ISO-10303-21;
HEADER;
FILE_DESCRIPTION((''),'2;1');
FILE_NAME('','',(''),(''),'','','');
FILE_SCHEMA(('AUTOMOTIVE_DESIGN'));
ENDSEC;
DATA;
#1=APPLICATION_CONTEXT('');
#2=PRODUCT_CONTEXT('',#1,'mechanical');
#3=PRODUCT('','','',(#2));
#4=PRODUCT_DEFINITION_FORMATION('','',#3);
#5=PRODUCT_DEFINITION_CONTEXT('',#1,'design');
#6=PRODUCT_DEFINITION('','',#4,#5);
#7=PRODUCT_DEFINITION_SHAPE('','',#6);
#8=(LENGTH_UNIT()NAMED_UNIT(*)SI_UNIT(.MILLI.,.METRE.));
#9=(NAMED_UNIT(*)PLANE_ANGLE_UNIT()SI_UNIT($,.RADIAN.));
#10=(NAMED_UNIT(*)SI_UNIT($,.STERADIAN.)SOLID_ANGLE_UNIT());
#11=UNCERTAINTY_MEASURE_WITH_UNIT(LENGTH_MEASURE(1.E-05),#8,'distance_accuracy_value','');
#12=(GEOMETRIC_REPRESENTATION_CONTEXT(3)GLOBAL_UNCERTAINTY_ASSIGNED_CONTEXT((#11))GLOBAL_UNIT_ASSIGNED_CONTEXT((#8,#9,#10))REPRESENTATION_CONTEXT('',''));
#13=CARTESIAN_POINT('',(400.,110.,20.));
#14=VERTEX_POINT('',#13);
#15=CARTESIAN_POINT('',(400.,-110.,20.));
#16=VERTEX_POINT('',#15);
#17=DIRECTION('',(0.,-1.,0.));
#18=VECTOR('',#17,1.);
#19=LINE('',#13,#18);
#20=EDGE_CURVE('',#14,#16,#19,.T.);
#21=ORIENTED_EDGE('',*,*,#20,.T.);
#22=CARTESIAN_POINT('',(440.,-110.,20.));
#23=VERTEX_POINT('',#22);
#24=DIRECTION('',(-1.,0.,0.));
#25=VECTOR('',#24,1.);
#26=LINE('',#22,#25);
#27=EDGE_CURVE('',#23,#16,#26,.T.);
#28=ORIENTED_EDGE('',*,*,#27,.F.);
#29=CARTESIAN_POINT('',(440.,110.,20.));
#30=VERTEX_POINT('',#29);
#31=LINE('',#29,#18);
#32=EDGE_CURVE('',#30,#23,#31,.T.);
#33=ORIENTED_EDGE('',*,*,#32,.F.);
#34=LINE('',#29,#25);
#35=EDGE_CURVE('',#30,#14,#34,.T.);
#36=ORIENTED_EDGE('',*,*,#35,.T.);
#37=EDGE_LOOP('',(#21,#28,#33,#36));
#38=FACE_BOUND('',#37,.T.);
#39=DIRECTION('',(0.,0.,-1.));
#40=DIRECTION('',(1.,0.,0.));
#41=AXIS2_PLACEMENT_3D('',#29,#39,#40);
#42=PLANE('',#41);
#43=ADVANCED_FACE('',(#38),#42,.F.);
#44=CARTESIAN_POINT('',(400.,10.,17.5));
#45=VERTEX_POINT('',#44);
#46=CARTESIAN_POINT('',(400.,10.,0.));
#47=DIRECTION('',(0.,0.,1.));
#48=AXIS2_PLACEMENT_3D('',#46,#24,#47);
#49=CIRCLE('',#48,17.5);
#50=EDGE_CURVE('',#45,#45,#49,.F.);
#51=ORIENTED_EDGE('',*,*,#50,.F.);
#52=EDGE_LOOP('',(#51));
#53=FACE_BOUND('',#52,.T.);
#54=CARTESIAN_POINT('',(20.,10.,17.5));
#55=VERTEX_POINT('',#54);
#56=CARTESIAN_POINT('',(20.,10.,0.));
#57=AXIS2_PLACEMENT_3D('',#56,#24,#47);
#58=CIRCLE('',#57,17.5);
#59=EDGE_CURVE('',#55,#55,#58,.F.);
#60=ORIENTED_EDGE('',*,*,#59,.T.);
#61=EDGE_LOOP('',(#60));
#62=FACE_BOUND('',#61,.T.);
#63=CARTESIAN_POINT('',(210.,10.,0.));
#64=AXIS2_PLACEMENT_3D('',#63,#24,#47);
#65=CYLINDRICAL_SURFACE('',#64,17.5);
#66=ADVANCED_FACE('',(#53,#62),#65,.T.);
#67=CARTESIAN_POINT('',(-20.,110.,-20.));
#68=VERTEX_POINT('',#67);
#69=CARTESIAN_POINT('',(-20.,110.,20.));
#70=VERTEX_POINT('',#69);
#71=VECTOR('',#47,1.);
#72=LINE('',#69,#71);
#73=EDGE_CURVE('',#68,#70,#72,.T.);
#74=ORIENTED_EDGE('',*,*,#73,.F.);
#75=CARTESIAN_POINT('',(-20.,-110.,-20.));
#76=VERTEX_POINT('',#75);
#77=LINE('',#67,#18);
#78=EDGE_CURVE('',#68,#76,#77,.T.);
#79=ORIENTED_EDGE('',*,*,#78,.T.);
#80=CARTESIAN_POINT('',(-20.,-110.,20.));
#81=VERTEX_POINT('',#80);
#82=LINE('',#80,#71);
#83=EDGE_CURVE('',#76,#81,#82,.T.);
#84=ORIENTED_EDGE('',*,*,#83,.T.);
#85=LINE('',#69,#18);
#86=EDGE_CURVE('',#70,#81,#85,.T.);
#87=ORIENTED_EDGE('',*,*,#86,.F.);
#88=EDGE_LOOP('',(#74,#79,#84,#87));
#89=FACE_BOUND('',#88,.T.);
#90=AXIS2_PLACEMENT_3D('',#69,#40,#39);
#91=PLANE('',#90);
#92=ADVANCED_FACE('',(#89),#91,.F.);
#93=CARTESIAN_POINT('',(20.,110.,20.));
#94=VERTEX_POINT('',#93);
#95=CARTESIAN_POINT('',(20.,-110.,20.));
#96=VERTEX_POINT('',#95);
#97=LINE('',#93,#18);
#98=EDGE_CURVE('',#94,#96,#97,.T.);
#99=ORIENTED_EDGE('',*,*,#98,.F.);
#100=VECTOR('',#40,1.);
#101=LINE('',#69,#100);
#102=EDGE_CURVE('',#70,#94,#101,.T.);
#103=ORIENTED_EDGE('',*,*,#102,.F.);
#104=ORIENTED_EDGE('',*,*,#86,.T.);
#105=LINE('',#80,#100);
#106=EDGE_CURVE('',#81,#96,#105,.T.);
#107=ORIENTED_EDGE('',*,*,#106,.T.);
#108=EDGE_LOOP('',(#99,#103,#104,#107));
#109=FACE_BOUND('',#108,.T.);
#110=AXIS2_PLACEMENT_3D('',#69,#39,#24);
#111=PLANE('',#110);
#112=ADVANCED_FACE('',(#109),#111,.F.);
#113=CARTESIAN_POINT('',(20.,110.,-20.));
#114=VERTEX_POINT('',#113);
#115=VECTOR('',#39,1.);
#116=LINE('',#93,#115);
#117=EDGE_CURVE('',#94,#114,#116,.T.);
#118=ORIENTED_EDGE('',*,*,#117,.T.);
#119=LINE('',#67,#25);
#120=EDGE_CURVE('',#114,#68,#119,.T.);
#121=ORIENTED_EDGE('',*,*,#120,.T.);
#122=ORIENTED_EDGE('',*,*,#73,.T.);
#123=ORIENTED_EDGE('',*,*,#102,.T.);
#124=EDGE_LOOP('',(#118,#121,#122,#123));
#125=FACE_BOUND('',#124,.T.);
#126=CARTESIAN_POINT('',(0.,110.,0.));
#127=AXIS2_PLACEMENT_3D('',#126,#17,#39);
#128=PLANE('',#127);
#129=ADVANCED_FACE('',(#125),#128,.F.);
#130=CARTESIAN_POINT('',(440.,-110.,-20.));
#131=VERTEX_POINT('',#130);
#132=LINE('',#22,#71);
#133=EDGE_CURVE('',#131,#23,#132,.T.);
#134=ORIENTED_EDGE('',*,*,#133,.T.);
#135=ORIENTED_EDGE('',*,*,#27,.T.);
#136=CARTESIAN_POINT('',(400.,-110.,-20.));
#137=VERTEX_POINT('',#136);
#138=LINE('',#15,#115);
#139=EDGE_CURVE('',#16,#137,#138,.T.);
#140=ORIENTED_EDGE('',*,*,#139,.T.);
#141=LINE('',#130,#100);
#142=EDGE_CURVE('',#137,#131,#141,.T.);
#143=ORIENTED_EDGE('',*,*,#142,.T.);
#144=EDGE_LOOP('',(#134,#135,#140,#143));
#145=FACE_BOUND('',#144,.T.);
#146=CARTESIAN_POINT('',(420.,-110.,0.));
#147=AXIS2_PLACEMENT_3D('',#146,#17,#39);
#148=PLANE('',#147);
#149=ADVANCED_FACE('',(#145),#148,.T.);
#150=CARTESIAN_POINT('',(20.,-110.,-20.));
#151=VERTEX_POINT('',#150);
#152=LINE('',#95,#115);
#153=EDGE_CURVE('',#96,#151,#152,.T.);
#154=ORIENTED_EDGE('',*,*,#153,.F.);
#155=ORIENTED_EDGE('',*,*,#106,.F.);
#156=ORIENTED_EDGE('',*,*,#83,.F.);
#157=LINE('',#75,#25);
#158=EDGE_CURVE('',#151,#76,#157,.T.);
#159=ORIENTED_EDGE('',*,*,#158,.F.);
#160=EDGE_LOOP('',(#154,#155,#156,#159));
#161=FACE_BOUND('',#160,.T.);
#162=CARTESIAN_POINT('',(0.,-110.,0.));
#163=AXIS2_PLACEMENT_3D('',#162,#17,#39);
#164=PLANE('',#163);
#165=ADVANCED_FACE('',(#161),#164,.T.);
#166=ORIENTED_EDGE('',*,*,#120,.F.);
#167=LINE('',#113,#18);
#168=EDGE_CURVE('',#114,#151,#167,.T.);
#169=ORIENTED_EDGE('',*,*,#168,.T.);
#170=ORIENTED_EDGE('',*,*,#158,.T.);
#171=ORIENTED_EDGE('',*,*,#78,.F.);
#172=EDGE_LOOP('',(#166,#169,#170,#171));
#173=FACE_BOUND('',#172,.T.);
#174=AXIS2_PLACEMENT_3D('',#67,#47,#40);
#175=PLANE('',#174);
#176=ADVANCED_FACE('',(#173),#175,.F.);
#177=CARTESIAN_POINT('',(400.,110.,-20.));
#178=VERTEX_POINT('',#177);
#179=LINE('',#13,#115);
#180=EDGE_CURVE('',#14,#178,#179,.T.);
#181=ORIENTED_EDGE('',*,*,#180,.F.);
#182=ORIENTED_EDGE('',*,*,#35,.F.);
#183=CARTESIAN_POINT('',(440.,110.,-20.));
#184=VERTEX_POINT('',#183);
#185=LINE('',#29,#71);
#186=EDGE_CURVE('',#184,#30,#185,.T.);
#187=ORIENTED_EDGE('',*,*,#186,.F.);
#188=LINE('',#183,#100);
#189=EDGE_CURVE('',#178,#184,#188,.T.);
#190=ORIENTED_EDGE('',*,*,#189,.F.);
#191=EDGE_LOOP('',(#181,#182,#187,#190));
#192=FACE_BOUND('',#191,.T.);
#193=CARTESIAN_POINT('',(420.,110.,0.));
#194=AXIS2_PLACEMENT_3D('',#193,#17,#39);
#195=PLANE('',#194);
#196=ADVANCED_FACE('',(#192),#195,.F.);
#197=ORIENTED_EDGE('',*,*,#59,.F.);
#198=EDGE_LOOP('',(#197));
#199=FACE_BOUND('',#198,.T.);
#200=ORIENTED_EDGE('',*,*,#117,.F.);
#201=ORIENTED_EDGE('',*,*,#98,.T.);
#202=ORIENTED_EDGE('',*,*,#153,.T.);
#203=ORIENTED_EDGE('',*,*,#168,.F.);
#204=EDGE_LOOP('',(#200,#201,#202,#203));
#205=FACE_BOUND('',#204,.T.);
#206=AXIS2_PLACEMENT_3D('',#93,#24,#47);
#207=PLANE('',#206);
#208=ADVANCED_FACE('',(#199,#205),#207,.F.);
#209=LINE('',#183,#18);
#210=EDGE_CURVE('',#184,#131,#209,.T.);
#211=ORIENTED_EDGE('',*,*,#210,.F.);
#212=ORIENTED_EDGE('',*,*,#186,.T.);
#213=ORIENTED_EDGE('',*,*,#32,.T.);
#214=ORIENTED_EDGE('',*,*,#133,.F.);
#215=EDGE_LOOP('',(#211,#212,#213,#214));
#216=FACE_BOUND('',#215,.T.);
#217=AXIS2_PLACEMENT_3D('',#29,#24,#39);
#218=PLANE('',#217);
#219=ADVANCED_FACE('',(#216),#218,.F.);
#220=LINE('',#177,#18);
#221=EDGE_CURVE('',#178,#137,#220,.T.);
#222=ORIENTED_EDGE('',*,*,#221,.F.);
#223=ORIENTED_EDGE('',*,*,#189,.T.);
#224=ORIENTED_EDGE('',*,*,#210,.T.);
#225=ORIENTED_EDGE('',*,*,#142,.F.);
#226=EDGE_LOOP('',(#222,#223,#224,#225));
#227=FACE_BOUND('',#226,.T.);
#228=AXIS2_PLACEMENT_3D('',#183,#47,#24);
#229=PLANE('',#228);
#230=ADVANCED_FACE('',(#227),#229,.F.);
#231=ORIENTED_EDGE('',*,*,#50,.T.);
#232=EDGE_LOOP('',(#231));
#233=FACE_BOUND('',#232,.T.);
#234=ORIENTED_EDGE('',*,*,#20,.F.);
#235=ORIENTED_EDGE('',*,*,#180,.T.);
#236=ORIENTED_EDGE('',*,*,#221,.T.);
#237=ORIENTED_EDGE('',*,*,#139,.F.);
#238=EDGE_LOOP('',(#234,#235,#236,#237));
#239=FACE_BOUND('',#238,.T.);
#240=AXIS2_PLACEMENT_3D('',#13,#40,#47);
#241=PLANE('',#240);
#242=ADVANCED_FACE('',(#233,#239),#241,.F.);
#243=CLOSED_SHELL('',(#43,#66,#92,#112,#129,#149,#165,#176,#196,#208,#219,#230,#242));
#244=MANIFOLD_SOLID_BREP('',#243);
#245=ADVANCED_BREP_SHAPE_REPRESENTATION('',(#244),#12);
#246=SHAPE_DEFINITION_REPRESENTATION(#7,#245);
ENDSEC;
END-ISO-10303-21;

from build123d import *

# Parameters (mm, degrees)
SKETCH1_W           = 40
SKETCH1_H           = 40
BOSS_EXTRUDE1_DEPTH = 110
SKETCH2_R           = 17.5
BOSS_EXTRUDE2_DEPTH = 210


with BuildPart() as part:
    # Sketch1 → Boss-Extrude1 (new body, symmetric)
    with BuildSketch(Plane(origin=(0, 0, 0), x_dir=(1, 0, 0), z_dir=(0, 1, 0))):
        Rectangle(SKETCH1_W, SKETCH1_H)
    extrude(amount=BOSS_EXTRUDE1_DEPTH, both=True)

    # Sketch2 → Boss-Extrude2 (add)
    with BuildSketch(Plane(origin=(0, 0, 0), x_dir=(0, 0, -1), z_dir=(1, 0, 0))):
        with Locations((0, 10)):
            Circle(SKETCH2_R)
    extrude(amount=BOSS_EXTRUDE2_DEPTH)

    # Mirror7: part across plane


with BuildPart() as part_1:
    add(part.part)
    add(part.part.mirror(Plane(origin=(210, 10, 0), x_dir=(0, 0, 1), z_dir=(1, 0, 0))))


solid = part_1.part
